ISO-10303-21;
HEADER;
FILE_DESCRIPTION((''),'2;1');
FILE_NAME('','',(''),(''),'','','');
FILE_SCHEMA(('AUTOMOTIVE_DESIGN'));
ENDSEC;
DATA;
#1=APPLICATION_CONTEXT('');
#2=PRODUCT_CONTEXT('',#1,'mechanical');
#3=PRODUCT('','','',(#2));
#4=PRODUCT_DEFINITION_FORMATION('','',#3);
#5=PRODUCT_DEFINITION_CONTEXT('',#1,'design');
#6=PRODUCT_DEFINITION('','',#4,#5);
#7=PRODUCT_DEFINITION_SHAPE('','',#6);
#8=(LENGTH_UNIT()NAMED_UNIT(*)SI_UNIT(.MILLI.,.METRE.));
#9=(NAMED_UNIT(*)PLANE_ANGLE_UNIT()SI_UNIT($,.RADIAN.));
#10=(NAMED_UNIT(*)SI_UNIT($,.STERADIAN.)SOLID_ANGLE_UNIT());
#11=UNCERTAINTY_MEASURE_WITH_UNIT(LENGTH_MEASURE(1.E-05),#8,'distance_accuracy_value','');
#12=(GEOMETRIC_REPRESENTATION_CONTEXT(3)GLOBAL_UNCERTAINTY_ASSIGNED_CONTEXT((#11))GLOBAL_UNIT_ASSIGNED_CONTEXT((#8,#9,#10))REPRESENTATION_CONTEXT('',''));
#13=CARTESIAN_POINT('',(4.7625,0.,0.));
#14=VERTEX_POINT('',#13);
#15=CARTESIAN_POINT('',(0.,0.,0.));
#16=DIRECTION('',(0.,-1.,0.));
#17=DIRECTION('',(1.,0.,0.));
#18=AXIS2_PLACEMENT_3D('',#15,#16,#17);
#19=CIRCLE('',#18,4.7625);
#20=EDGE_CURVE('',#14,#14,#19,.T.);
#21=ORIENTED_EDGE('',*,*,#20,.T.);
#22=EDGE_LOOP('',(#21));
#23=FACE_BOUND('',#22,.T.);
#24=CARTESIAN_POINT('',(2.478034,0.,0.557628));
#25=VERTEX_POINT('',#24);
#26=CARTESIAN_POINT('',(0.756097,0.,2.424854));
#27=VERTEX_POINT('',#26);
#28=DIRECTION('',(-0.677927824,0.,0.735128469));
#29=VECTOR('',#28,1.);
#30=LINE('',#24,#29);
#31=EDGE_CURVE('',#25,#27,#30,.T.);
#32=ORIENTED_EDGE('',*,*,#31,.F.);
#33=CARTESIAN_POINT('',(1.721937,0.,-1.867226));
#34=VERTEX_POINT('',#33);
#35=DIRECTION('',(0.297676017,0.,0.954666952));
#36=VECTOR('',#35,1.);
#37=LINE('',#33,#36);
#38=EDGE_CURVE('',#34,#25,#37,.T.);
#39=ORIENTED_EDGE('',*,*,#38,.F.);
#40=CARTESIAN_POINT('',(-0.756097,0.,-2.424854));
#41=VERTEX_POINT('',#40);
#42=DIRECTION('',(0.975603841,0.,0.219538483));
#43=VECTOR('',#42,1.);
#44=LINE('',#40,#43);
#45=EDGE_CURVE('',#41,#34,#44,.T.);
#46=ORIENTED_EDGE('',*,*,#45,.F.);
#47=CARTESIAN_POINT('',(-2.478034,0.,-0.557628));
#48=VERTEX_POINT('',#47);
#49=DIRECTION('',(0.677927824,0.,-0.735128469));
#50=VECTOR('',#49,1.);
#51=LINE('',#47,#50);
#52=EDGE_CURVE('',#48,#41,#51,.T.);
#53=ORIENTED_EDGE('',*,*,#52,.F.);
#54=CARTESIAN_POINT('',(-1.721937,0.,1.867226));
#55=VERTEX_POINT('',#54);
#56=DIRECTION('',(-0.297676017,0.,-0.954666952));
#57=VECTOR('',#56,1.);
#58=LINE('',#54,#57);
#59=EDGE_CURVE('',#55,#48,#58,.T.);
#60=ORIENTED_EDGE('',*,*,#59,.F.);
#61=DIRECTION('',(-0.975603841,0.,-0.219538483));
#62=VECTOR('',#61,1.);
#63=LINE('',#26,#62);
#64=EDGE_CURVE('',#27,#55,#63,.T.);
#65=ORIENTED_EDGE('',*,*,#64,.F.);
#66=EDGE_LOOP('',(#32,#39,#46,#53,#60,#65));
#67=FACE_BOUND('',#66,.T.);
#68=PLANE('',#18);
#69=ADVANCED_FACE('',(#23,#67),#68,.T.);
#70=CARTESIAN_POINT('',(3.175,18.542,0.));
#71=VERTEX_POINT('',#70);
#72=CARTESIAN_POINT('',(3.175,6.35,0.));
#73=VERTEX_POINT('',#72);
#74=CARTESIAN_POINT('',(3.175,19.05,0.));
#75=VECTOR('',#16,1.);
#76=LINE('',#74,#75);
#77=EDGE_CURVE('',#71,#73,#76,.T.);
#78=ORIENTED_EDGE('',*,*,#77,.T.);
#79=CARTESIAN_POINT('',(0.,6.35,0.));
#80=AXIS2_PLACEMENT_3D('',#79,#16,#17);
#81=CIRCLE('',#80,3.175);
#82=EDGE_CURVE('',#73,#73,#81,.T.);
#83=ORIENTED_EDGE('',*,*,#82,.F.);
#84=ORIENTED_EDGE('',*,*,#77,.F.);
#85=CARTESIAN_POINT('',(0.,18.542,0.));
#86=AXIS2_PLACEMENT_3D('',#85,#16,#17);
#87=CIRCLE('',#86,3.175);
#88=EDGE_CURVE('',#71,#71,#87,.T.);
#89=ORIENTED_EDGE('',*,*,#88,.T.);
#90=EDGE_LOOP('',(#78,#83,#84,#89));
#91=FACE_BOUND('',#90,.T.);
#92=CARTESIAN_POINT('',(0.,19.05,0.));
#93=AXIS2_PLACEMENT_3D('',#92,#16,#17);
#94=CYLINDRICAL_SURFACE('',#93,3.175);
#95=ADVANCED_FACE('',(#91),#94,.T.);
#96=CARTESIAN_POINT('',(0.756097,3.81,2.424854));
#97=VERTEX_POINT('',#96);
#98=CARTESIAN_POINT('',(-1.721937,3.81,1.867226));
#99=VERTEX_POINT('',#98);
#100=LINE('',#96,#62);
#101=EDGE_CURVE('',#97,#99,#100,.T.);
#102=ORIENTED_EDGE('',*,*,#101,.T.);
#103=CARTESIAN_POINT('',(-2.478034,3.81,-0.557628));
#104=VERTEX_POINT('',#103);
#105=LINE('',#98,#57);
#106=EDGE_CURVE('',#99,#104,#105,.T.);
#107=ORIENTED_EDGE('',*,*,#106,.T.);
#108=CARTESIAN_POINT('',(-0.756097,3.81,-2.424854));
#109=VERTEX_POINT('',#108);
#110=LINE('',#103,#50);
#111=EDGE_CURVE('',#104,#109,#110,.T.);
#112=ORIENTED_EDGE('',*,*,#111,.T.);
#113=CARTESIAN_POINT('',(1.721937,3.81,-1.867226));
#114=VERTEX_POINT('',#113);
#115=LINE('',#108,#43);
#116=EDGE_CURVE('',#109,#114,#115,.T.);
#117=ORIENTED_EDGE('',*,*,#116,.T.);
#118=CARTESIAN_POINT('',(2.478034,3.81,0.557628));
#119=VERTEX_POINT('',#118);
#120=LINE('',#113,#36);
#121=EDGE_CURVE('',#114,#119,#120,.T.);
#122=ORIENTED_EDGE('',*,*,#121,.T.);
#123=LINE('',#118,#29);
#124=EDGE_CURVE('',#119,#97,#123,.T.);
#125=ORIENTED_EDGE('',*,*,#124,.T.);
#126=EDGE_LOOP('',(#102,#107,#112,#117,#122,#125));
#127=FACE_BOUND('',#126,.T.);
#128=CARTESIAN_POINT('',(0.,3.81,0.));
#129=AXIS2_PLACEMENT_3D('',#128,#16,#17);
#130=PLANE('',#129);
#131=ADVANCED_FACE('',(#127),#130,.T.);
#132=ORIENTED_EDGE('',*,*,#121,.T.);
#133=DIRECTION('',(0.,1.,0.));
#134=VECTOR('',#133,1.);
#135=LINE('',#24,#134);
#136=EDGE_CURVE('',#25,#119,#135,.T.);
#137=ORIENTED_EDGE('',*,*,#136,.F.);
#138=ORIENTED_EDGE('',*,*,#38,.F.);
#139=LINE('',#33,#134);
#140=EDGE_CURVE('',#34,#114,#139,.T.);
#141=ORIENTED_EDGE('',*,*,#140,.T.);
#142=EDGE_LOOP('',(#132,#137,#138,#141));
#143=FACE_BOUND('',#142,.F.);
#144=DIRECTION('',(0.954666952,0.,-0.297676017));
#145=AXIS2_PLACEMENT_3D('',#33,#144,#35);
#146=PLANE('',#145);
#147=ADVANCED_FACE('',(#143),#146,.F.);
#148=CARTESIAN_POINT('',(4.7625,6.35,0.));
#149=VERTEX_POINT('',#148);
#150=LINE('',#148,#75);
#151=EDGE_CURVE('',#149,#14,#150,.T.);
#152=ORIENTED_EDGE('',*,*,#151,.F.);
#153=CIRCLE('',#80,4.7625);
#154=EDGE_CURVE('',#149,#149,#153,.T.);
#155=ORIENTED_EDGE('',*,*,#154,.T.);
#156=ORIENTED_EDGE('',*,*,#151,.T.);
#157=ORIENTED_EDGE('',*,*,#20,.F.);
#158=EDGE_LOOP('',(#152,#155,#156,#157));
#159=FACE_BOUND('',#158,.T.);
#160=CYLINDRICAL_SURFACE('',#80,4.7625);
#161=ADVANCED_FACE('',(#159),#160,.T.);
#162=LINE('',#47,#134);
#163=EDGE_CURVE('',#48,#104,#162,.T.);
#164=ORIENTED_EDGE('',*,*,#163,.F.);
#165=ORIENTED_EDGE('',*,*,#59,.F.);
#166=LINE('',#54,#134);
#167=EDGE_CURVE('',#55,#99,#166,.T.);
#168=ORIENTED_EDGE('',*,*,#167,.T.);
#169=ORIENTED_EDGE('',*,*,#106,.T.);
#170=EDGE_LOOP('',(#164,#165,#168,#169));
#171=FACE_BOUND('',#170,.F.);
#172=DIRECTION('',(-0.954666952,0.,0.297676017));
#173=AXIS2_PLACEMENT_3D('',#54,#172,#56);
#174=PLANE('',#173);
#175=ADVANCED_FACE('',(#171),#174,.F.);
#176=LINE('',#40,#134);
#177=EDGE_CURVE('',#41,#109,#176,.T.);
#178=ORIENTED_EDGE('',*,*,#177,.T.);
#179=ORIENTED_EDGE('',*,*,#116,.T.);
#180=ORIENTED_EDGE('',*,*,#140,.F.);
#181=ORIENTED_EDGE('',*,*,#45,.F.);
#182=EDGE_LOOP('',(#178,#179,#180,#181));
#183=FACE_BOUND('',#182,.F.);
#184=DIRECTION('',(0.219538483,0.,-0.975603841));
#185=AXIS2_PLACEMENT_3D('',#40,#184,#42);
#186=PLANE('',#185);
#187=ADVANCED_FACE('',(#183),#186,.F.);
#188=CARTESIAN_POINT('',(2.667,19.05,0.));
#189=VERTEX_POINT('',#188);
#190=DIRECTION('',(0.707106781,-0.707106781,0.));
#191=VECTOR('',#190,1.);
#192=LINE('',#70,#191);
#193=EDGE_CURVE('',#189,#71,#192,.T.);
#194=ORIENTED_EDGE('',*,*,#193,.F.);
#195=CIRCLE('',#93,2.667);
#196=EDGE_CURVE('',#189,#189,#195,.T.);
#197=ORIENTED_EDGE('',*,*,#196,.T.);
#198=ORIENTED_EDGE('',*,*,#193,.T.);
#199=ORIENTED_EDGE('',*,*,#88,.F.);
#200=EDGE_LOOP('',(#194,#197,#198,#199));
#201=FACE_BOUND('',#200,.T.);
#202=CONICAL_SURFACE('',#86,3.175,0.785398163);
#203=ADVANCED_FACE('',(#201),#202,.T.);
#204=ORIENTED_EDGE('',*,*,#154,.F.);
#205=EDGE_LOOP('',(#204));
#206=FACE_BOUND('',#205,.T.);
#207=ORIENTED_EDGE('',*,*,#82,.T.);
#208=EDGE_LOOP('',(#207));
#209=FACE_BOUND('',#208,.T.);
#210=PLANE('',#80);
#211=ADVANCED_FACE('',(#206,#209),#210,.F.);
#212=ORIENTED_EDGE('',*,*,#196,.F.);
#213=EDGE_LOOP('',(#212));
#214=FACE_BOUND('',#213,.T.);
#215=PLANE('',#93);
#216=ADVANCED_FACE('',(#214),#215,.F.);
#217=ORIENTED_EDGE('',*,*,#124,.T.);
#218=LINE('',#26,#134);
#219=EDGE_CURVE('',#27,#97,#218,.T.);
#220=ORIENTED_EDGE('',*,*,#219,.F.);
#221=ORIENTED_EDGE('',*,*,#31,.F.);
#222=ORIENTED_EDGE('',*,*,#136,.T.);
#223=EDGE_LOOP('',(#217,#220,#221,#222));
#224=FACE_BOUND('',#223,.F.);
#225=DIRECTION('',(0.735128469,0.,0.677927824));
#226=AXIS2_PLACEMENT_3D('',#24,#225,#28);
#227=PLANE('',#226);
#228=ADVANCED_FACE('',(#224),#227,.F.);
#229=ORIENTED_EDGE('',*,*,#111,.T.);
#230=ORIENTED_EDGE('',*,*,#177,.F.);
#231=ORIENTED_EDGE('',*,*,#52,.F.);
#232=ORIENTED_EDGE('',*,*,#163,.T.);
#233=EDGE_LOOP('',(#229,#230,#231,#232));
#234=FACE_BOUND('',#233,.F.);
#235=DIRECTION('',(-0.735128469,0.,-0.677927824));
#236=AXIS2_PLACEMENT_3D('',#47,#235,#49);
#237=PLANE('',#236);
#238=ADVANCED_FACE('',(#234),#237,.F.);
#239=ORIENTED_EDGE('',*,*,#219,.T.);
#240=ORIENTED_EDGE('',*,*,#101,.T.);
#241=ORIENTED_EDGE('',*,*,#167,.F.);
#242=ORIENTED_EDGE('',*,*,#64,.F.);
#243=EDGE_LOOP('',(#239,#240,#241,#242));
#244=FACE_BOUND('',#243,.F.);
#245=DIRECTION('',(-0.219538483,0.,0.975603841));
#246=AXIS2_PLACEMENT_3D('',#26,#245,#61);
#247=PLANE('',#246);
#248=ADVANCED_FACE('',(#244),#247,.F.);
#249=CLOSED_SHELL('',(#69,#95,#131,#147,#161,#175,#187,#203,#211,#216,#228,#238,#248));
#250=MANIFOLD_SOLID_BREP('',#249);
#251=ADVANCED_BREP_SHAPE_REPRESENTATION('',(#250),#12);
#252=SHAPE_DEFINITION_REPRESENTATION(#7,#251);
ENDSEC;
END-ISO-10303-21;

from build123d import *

# Parameters (mm, degrees)
CHAMFER1_SIZE      = 0.508
CUT_EXTRUDE1_DEPTH = 3.81


with BuildPart() as part:
    # Sketch1 → Revolve1 (revolve)
    with BuildSketch(Plane.XY):
        Polygon((0, 0), (0, 19.05), (3.175, 19.05), (3.175, 6.35), (4.7625, 6.35), (4.7625, 0), align=None)
    revolve(axis=Axis((0, 19.05, 0), (0, -1, 0)))

    # Chamfer1
    chamfer1_edges = [part.edges().sort_by_distance(p)[0] for p in [
        (-3.175, 19.05, 0),
    ]]
    chamfer(chamfer1_edges, length=CHAMFER1_SIZE)

    # Sketch2 → Cut-Extrude1 (cut)
    with BuildSketch(Plane.XZ):
        Polygon((1.721936672, -1.867226311), (2.478033756, 0.557627746), (0.756097084, 2.424854057), (-1.721936672, 1.867226311), (-2.478033756, -0.557627746), (-0.756097084, -2.424854057), align=None)
    extrude(amount=-CUT_EXTRUDE1_DEPTH, mode=Mode.SUBTRACT)


solid = part.part
